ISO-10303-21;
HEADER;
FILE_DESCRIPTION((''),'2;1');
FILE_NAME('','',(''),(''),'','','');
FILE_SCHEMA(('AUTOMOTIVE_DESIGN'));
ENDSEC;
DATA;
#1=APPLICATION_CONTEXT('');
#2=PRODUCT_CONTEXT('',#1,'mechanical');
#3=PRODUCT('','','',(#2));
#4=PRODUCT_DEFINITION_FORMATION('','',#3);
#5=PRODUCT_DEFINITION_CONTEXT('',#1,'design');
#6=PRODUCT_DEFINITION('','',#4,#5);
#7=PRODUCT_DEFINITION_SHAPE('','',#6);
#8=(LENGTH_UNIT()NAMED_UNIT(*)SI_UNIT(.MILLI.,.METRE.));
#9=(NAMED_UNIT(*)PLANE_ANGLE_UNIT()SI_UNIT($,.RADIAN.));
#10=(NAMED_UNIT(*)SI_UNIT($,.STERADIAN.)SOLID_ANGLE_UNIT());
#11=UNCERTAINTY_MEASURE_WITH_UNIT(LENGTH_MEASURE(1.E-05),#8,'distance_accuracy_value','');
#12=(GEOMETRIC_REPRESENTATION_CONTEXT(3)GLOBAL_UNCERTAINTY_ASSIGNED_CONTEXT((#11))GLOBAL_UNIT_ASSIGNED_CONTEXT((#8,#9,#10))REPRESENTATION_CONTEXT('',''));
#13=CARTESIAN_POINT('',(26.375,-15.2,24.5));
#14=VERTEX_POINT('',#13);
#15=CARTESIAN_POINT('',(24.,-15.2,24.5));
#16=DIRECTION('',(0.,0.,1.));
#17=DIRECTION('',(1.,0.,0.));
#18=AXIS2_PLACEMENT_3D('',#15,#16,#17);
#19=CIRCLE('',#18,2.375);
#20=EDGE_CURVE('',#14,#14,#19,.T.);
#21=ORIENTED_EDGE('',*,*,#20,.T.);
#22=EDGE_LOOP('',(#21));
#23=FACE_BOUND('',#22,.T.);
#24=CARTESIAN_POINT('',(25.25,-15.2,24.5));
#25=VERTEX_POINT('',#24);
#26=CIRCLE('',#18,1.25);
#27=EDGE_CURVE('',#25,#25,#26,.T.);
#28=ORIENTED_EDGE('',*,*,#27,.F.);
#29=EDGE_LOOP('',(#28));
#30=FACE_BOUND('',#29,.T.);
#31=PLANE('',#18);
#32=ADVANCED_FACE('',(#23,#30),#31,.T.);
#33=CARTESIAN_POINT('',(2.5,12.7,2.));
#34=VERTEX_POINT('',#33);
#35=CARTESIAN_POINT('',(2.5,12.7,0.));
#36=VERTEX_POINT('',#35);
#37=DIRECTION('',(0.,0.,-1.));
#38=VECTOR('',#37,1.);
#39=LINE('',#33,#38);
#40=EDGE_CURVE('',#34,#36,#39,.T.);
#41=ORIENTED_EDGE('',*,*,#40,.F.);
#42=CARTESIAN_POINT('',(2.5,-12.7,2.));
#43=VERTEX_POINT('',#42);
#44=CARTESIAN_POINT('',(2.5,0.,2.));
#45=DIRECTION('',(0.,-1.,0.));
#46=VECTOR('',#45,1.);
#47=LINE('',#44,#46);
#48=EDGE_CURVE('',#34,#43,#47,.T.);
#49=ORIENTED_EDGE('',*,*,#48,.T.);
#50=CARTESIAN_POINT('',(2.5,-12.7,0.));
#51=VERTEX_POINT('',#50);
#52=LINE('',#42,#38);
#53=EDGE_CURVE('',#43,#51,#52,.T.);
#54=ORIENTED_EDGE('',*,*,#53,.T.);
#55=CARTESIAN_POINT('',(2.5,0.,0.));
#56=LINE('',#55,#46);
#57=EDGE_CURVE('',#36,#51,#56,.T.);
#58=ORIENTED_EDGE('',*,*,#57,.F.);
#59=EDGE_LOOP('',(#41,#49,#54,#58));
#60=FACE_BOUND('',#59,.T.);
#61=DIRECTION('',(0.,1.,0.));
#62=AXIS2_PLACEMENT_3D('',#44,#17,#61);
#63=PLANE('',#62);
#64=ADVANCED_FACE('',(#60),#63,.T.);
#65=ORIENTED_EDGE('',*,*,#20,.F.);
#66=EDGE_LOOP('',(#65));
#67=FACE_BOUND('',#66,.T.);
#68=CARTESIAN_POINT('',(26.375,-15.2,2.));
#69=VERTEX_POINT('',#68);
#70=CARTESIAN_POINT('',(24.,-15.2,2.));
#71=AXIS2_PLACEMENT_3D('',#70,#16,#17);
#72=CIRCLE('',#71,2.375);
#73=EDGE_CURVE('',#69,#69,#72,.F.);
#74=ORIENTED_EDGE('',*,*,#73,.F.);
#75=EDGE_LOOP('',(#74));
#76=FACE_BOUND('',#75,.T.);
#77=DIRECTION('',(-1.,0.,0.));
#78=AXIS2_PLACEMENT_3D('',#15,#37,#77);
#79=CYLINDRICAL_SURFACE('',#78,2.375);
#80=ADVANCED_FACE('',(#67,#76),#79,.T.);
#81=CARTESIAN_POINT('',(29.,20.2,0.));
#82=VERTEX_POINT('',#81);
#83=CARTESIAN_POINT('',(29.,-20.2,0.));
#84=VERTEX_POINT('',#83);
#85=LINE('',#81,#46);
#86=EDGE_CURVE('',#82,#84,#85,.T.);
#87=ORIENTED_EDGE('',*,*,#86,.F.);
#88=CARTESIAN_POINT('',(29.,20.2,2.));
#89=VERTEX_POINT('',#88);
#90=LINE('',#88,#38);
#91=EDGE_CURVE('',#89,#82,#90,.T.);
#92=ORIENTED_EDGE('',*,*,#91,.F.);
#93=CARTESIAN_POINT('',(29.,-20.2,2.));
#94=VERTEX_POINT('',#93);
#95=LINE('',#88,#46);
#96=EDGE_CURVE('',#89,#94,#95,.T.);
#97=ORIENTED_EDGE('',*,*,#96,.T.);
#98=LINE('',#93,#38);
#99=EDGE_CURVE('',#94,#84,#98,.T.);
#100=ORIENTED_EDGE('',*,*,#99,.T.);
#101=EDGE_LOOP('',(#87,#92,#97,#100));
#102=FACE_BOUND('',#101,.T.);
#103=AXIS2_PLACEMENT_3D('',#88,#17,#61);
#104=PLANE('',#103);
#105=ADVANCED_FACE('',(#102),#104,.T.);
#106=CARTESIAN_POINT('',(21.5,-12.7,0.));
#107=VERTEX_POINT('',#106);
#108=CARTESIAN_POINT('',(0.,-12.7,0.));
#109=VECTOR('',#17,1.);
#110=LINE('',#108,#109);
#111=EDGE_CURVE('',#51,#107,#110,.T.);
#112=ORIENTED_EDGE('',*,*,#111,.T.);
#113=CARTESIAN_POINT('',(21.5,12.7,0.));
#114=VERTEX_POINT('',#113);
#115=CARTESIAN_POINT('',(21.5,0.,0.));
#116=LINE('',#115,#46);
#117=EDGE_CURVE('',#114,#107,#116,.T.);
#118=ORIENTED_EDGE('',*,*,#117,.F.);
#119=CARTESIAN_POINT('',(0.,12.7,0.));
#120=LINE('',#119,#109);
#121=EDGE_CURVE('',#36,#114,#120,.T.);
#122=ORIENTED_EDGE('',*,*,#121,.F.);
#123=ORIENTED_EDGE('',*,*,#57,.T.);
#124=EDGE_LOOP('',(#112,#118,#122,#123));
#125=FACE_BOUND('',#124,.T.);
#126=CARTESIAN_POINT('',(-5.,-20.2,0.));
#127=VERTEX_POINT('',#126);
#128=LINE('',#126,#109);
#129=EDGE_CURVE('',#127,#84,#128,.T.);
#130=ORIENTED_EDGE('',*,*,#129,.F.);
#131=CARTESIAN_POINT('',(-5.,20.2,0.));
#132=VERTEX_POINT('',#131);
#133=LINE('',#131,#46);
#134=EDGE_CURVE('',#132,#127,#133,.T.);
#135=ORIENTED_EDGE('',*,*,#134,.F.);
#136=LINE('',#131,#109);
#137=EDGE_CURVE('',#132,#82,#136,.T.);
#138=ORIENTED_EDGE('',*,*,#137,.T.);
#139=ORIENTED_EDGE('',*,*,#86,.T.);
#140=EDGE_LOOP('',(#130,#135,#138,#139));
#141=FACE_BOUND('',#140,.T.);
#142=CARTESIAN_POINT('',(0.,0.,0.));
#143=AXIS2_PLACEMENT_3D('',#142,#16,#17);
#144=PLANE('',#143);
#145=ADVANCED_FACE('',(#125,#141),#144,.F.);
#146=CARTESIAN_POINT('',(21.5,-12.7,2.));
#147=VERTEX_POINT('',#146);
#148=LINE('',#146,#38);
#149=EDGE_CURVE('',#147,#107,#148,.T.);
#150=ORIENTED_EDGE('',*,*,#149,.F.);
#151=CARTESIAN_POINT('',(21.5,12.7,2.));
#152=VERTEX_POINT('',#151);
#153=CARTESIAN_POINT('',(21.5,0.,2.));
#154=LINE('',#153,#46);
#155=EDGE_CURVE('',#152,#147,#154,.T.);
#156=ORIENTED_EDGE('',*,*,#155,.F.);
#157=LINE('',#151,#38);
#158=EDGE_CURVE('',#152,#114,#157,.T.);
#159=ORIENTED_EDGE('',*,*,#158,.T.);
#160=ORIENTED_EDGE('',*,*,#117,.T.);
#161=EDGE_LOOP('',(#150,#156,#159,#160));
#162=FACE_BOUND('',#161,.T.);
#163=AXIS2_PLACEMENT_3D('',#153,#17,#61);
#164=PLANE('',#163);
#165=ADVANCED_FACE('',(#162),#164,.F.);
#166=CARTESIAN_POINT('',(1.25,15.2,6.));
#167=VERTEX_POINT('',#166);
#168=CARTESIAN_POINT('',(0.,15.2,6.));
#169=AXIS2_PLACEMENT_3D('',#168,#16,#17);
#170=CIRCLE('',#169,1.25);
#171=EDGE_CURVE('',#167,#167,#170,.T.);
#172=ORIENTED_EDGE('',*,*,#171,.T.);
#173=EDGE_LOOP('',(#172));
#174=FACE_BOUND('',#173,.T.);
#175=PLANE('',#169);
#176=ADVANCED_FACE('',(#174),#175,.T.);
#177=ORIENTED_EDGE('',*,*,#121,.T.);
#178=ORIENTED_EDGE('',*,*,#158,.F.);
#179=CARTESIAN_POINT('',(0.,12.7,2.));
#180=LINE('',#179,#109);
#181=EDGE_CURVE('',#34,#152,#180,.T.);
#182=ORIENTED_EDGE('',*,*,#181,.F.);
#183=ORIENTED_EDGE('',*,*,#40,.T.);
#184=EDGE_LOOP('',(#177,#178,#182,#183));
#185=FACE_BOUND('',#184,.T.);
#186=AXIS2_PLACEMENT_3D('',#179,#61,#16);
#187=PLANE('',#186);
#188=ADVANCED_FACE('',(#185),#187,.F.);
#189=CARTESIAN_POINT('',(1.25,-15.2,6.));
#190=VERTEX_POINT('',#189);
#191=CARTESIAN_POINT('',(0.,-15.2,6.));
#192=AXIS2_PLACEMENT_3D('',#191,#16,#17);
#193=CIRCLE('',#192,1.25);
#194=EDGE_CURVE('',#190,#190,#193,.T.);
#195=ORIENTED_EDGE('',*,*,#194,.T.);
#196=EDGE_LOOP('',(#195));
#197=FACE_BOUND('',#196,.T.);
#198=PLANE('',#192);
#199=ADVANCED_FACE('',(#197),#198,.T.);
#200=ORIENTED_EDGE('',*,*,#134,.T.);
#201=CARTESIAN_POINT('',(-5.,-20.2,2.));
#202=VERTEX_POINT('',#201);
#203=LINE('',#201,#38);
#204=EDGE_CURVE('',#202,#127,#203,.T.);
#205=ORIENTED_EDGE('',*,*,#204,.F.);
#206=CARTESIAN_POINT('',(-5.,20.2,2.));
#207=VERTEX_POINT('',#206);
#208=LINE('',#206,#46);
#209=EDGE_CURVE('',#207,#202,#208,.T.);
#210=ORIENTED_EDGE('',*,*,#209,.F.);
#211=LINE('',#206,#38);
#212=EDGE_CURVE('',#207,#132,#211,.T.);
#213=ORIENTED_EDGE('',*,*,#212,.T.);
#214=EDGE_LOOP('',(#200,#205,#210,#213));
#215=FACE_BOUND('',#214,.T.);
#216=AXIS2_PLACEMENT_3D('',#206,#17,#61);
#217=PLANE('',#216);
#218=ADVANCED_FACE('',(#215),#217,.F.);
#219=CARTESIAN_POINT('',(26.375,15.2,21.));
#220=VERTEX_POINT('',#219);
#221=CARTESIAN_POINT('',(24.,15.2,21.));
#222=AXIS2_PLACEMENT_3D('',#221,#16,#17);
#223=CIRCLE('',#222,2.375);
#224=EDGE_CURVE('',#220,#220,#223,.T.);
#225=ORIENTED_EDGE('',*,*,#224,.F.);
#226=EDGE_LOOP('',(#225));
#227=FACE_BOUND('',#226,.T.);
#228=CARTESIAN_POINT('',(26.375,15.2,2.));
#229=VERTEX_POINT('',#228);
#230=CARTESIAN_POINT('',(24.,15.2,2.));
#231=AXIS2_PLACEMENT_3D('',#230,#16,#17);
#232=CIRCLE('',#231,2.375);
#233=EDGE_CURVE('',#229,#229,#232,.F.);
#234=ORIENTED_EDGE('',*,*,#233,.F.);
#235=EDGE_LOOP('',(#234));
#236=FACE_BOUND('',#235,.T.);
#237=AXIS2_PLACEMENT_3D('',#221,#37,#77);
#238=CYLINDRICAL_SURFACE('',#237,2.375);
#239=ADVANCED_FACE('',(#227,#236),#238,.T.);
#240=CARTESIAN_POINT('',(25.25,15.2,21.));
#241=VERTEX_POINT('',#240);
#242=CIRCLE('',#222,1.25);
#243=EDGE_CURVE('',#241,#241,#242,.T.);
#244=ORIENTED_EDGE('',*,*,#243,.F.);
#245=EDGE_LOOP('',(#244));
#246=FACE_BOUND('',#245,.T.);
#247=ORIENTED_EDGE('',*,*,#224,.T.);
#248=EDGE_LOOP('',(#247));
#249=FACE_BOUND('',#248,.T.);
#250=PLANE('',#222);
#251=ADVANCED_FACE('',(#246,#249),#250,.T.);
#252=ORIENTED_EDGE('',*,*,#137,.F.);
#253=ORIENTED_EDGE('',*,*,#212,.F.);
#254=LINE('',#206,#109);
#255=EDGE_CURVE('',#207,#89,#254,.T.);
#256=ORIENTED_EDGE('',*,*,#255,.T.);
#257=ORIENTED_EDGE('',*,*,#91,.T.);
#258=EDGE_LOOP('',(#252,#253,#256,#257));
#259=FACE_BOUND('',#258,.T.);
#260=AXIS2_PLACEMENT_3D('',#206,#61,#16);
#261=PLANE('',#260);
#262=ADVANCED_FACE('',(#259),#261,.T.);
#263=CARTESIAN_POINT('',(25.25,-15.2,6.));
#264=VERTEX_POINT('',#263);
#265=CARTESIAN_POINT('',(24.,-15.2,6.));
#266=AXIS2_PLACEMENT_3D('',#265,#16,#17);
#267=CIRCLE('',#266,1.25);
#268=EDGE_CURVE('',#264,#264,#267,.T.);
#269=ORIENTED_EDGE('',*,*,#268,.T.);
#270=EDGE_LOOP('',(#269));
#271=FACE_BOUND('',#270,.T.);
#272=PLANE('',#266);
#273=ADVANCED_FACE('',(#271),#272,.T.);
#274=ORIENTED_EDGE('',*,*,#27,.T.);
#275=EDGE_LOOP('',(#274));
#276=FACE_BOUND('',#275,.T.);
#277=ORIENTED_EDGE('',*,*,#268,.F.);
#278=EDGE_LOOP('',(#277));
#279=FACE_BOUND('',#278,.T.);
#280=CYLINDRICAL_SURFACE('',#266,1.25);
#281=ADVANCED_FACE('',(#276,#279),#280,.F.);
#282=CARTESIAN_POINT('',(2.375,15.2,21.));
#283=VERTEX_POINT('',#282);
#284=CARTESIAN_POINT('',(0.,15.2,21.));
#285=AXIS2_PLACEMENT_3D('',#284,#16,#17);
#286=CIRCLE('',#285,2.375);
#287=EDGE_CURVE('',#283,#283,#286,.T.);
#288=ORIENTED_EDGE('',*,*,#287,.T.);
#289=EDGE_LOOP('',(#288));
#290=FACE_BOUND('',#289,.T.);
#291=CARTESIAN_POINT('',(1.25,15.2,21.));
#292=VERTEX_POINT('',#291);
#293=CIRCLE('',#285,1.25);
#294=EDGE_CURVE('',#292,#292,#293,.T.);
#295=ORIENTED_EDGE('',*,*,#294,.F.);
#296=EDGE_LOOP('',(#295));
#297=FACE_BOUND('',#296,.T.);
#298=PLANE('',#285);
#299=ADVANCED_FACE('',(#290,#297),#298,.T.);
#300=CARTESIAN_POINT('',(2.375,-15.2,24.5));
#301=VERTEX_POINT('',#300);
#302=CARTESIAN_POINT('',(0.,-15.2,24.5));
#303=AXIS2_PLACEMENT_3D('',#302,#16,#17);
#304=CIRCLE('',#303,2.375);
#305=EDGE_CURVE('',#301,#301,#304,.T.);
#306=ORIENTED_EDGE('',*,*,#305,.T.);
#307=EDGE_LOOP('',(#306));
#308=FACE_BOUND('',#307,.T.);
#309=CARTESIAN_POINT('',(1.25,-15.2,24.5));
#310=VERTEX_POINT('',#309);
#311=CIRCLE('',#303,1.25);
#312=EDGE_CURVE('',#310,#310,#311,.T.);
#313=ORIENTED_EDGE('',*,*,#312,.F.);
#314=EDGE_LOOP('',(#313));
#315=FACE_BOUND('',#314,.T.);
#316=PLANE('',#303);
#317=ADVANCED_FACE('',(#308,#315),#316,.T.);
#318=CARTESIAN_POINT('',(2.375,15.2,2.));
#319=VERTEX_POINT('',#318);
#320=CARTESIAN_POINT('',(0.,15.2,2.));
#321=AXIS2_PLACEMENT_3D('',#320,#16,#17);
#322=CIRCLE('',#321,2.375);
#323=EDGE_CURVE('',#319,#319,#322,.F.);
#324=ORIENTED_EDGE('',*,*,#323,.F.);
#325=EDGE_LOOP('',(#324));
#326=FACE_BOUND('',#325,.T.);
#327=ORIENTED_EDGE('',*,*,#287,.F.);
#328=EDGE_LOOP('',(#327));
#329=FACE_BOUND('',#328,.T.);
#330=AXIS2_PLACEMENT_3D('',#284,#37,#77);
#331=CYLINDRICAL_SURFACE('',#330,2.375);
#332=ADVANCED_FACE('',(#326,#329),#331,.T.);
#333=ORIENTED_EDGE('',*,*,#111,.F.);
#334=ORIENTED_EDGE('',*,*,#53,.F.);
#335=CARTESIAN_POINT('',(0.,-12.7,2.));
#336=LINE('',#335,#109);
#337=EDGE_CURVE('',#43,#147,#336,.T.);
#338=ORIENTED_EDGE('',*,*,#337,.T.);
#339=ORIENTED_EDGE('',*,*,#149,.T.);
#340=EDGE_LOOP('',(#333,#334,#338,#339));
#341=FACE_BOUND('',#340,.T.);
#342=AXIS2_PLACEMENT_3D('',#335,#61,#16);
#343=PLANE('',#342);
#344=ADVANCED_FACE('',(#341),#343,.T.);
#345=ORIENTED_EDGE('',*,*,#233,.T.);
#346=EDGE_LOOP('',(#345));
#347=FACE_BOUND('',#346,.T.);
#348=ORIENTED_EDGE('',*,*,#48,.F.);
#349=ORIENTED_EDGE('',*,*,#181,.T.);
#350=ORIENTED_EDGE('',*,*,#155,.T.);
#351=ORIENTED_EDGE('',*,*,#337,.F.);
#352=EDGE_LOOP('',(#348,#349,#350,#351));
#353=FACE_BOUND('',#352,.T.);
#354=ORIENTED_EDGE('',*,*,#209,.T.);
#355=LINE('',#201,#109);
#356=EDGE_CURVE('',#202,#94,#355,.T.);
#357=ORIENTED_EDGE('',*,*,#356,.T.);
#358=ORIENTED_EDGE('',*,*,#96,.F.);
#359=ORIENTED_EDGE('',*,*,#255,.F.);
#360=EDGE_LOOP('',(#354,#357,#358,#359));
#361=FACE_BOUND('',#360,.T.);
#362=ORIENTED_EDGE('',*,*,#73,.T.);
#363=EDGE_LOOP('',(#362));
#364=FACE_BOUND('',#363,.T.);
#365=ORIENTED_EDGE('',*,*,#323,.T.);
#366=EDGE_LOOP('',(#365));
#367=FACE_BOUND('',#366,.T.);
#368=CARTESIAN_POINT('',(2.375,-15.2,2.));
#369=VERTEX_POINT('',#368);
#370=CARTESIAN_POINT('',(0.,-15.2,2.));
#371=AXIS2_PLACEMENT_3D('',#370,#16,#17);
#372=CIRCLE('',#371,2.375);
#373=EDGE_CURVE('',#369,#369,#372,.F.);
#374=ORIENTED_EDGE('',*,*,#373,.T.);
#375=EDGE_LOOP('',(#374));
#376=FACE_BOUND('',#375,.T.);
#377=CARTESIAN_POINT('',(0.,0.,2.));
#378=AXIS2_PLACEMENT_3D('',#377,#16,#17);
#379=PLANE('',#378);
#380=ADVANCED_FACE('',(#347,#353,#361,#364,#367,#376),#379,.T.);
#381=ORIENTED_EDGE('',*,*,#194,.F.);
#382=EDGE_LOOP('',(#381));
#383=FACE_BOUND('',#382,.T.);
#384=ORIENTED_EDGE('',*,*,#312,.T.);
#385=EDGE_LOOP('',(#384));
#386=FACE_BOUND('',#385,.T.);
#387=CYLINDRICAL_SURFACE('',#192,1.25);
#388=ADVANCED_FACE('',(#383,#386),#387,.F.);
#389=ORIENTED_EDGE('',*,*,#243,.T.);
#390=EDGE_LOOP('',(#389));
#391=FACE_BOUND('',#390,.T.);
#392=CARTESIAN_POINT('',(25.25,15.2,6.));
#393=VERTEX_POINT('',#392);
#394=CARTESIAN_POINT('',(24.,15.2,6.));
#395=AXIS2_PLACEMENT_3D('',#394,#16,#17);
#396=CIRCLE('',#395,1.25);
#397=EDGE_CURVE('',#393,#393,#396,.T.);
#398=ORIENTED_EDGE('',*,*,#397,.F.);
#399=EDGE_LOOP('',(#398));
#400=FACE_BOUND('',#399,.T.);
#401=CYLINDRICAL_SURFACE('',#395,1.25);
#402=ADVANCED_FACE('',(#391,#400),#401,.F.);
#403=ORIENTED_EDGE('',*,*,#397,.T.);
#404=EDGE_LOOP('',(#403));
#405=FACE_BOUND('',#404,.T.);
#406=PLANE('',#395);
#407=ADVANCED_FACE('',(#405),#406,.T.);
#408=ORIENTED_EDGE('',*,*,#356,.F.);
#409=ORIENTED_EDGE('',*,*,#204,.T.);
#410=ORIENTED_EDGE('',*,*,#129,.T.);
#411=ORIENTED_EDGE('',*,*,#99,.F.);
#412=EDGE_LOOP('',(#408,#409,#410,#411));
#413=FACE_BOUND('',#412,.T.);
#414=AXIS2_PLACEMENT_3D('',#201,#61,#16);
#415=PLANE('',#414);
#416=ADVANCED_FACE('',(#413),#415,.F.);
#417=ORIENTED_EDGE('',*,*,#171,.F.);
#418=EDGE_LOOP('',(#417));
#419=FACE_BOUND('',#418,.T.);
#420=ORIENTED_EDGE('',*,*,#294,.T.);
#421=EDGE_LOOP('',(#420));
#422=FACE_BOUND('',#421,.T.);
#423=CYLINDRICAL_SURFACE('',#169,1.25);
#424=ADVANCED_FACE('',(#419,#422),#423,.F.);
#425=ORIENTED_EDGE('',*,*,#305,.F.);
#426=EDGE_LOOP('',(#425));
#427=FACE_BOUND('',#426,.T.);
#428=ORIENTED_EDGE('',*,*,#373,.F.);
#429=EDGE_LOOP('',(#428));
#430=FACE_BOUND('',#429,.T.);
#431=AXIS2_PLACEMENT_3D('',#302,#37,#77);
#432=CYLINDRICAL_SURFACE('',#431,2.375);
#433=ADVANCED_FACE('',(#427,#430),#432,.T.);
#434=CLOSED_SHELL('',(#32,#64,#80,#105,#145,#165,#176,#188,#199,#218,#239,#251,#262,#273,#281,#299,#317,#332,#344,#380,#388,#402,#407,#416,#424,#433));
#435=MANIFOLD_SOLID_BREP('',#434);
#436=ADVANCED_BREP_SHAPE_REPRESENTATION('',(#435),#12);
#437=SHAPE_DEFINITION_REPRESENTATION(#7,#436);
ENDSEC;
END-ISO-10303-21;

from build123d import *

# Parameters (mm, degrees)
SKETCH1_W           = 34
SKETCH1_H           = 40.4
SKETCH1_W_2         = 19
SKETCH1_H_2         = 25.4
BOSS_EXTRUDE1_DEPTH = 2
SKETCH1_3_R         = 2.375
BOSS_EXTRUDE2_DEPTH = 21
CUT_EXTRUDE1_START  = 21
SKETCH1_4_R         = 1.25
CUT_EXTRUDE1_DEPTH  = 15
SKETCH1_6_R         = 2.375
BOSS_EXTRUDE3_DEPTH = 24.5
CUT_EXTRUDE2_START  = 24.5
SKETCH1_8_R         = 1.25
CUT_EXTRUDE2_DEPTH  = 18.5


with BuildPart() as part:
    # Sketch1 → Boss-Extrude1 (new body)
    with BuildSketch(Plane.XY):
        with Locations((12, 0)):
            Rectangle(SKETCH1_W, SKETCH1_H)
        with Locations((12, 0)):
            Rectangle(SKETCH1_W_2, SKETCH1_H_2, mode=Mode.SUBTRACT)
    extrude(amount=BOSS_EXTRUDE1_DEPTH)

    # Sketch1<3> → Boss-Extrude2 (add)
    with BuildSketch(Plane.XY):
        with Locations((0, 15.2)):
            Circle(SKETCH1_3_R)
        with Locations((24, 15.2)):
            Circle(SKETCH1_3_R)
    extrude(amount=BOSS_EXTRUDE2_DEPTH)

    # Sketch1<4> → Cut-Extrude1 (cut)
    with BuildSketch(Plane.XY.offset(CUT_EXTRUDE1_START)):
        with Locations((0, 15.2)):
            Circle(SKETCH1_4_R)
        with Locations((24, 15.2)):
            Circle(SKETCH1_4_R)
        with Locations((24, -15.2)):
            Circle(SKETCH1_4_R)
        with Locations((0, -15.2)):
            Circle(SKETCH1_4_R)
    extrude(amount=-CUT_EXTRUDE1_DEPTH, mode=Mode.SUBTRACT)

    # Sketch1<6> → Boss-Extrude3 (add)
    with BuildSketch(Plane.XY):
        with Locations((24, -15.2)):
            Circle(SKETCH1_6_R)
        with Locations((0, -15.2)):
            Circle(SKETCH1_6_R)
    extrude(amount=BOSS_EXTRUDE3_DEPTH)

    # Sketch1<8> → Cut-Extrude2 (cut)
    with BuildSketch(Plane.XY.offset(CUT_EXTRUDE2_START)):
        with Locations((0, -15.2)):
            Circle(SKETCH1_8_R)
        with Locations((24, -15.2)):
            Circle(SKETCH1_8_R)
    extrude(amount=-CUT_EXTRUDE2_DEPTH, mode=Mode.SUBTRACT)


solid = part.part
